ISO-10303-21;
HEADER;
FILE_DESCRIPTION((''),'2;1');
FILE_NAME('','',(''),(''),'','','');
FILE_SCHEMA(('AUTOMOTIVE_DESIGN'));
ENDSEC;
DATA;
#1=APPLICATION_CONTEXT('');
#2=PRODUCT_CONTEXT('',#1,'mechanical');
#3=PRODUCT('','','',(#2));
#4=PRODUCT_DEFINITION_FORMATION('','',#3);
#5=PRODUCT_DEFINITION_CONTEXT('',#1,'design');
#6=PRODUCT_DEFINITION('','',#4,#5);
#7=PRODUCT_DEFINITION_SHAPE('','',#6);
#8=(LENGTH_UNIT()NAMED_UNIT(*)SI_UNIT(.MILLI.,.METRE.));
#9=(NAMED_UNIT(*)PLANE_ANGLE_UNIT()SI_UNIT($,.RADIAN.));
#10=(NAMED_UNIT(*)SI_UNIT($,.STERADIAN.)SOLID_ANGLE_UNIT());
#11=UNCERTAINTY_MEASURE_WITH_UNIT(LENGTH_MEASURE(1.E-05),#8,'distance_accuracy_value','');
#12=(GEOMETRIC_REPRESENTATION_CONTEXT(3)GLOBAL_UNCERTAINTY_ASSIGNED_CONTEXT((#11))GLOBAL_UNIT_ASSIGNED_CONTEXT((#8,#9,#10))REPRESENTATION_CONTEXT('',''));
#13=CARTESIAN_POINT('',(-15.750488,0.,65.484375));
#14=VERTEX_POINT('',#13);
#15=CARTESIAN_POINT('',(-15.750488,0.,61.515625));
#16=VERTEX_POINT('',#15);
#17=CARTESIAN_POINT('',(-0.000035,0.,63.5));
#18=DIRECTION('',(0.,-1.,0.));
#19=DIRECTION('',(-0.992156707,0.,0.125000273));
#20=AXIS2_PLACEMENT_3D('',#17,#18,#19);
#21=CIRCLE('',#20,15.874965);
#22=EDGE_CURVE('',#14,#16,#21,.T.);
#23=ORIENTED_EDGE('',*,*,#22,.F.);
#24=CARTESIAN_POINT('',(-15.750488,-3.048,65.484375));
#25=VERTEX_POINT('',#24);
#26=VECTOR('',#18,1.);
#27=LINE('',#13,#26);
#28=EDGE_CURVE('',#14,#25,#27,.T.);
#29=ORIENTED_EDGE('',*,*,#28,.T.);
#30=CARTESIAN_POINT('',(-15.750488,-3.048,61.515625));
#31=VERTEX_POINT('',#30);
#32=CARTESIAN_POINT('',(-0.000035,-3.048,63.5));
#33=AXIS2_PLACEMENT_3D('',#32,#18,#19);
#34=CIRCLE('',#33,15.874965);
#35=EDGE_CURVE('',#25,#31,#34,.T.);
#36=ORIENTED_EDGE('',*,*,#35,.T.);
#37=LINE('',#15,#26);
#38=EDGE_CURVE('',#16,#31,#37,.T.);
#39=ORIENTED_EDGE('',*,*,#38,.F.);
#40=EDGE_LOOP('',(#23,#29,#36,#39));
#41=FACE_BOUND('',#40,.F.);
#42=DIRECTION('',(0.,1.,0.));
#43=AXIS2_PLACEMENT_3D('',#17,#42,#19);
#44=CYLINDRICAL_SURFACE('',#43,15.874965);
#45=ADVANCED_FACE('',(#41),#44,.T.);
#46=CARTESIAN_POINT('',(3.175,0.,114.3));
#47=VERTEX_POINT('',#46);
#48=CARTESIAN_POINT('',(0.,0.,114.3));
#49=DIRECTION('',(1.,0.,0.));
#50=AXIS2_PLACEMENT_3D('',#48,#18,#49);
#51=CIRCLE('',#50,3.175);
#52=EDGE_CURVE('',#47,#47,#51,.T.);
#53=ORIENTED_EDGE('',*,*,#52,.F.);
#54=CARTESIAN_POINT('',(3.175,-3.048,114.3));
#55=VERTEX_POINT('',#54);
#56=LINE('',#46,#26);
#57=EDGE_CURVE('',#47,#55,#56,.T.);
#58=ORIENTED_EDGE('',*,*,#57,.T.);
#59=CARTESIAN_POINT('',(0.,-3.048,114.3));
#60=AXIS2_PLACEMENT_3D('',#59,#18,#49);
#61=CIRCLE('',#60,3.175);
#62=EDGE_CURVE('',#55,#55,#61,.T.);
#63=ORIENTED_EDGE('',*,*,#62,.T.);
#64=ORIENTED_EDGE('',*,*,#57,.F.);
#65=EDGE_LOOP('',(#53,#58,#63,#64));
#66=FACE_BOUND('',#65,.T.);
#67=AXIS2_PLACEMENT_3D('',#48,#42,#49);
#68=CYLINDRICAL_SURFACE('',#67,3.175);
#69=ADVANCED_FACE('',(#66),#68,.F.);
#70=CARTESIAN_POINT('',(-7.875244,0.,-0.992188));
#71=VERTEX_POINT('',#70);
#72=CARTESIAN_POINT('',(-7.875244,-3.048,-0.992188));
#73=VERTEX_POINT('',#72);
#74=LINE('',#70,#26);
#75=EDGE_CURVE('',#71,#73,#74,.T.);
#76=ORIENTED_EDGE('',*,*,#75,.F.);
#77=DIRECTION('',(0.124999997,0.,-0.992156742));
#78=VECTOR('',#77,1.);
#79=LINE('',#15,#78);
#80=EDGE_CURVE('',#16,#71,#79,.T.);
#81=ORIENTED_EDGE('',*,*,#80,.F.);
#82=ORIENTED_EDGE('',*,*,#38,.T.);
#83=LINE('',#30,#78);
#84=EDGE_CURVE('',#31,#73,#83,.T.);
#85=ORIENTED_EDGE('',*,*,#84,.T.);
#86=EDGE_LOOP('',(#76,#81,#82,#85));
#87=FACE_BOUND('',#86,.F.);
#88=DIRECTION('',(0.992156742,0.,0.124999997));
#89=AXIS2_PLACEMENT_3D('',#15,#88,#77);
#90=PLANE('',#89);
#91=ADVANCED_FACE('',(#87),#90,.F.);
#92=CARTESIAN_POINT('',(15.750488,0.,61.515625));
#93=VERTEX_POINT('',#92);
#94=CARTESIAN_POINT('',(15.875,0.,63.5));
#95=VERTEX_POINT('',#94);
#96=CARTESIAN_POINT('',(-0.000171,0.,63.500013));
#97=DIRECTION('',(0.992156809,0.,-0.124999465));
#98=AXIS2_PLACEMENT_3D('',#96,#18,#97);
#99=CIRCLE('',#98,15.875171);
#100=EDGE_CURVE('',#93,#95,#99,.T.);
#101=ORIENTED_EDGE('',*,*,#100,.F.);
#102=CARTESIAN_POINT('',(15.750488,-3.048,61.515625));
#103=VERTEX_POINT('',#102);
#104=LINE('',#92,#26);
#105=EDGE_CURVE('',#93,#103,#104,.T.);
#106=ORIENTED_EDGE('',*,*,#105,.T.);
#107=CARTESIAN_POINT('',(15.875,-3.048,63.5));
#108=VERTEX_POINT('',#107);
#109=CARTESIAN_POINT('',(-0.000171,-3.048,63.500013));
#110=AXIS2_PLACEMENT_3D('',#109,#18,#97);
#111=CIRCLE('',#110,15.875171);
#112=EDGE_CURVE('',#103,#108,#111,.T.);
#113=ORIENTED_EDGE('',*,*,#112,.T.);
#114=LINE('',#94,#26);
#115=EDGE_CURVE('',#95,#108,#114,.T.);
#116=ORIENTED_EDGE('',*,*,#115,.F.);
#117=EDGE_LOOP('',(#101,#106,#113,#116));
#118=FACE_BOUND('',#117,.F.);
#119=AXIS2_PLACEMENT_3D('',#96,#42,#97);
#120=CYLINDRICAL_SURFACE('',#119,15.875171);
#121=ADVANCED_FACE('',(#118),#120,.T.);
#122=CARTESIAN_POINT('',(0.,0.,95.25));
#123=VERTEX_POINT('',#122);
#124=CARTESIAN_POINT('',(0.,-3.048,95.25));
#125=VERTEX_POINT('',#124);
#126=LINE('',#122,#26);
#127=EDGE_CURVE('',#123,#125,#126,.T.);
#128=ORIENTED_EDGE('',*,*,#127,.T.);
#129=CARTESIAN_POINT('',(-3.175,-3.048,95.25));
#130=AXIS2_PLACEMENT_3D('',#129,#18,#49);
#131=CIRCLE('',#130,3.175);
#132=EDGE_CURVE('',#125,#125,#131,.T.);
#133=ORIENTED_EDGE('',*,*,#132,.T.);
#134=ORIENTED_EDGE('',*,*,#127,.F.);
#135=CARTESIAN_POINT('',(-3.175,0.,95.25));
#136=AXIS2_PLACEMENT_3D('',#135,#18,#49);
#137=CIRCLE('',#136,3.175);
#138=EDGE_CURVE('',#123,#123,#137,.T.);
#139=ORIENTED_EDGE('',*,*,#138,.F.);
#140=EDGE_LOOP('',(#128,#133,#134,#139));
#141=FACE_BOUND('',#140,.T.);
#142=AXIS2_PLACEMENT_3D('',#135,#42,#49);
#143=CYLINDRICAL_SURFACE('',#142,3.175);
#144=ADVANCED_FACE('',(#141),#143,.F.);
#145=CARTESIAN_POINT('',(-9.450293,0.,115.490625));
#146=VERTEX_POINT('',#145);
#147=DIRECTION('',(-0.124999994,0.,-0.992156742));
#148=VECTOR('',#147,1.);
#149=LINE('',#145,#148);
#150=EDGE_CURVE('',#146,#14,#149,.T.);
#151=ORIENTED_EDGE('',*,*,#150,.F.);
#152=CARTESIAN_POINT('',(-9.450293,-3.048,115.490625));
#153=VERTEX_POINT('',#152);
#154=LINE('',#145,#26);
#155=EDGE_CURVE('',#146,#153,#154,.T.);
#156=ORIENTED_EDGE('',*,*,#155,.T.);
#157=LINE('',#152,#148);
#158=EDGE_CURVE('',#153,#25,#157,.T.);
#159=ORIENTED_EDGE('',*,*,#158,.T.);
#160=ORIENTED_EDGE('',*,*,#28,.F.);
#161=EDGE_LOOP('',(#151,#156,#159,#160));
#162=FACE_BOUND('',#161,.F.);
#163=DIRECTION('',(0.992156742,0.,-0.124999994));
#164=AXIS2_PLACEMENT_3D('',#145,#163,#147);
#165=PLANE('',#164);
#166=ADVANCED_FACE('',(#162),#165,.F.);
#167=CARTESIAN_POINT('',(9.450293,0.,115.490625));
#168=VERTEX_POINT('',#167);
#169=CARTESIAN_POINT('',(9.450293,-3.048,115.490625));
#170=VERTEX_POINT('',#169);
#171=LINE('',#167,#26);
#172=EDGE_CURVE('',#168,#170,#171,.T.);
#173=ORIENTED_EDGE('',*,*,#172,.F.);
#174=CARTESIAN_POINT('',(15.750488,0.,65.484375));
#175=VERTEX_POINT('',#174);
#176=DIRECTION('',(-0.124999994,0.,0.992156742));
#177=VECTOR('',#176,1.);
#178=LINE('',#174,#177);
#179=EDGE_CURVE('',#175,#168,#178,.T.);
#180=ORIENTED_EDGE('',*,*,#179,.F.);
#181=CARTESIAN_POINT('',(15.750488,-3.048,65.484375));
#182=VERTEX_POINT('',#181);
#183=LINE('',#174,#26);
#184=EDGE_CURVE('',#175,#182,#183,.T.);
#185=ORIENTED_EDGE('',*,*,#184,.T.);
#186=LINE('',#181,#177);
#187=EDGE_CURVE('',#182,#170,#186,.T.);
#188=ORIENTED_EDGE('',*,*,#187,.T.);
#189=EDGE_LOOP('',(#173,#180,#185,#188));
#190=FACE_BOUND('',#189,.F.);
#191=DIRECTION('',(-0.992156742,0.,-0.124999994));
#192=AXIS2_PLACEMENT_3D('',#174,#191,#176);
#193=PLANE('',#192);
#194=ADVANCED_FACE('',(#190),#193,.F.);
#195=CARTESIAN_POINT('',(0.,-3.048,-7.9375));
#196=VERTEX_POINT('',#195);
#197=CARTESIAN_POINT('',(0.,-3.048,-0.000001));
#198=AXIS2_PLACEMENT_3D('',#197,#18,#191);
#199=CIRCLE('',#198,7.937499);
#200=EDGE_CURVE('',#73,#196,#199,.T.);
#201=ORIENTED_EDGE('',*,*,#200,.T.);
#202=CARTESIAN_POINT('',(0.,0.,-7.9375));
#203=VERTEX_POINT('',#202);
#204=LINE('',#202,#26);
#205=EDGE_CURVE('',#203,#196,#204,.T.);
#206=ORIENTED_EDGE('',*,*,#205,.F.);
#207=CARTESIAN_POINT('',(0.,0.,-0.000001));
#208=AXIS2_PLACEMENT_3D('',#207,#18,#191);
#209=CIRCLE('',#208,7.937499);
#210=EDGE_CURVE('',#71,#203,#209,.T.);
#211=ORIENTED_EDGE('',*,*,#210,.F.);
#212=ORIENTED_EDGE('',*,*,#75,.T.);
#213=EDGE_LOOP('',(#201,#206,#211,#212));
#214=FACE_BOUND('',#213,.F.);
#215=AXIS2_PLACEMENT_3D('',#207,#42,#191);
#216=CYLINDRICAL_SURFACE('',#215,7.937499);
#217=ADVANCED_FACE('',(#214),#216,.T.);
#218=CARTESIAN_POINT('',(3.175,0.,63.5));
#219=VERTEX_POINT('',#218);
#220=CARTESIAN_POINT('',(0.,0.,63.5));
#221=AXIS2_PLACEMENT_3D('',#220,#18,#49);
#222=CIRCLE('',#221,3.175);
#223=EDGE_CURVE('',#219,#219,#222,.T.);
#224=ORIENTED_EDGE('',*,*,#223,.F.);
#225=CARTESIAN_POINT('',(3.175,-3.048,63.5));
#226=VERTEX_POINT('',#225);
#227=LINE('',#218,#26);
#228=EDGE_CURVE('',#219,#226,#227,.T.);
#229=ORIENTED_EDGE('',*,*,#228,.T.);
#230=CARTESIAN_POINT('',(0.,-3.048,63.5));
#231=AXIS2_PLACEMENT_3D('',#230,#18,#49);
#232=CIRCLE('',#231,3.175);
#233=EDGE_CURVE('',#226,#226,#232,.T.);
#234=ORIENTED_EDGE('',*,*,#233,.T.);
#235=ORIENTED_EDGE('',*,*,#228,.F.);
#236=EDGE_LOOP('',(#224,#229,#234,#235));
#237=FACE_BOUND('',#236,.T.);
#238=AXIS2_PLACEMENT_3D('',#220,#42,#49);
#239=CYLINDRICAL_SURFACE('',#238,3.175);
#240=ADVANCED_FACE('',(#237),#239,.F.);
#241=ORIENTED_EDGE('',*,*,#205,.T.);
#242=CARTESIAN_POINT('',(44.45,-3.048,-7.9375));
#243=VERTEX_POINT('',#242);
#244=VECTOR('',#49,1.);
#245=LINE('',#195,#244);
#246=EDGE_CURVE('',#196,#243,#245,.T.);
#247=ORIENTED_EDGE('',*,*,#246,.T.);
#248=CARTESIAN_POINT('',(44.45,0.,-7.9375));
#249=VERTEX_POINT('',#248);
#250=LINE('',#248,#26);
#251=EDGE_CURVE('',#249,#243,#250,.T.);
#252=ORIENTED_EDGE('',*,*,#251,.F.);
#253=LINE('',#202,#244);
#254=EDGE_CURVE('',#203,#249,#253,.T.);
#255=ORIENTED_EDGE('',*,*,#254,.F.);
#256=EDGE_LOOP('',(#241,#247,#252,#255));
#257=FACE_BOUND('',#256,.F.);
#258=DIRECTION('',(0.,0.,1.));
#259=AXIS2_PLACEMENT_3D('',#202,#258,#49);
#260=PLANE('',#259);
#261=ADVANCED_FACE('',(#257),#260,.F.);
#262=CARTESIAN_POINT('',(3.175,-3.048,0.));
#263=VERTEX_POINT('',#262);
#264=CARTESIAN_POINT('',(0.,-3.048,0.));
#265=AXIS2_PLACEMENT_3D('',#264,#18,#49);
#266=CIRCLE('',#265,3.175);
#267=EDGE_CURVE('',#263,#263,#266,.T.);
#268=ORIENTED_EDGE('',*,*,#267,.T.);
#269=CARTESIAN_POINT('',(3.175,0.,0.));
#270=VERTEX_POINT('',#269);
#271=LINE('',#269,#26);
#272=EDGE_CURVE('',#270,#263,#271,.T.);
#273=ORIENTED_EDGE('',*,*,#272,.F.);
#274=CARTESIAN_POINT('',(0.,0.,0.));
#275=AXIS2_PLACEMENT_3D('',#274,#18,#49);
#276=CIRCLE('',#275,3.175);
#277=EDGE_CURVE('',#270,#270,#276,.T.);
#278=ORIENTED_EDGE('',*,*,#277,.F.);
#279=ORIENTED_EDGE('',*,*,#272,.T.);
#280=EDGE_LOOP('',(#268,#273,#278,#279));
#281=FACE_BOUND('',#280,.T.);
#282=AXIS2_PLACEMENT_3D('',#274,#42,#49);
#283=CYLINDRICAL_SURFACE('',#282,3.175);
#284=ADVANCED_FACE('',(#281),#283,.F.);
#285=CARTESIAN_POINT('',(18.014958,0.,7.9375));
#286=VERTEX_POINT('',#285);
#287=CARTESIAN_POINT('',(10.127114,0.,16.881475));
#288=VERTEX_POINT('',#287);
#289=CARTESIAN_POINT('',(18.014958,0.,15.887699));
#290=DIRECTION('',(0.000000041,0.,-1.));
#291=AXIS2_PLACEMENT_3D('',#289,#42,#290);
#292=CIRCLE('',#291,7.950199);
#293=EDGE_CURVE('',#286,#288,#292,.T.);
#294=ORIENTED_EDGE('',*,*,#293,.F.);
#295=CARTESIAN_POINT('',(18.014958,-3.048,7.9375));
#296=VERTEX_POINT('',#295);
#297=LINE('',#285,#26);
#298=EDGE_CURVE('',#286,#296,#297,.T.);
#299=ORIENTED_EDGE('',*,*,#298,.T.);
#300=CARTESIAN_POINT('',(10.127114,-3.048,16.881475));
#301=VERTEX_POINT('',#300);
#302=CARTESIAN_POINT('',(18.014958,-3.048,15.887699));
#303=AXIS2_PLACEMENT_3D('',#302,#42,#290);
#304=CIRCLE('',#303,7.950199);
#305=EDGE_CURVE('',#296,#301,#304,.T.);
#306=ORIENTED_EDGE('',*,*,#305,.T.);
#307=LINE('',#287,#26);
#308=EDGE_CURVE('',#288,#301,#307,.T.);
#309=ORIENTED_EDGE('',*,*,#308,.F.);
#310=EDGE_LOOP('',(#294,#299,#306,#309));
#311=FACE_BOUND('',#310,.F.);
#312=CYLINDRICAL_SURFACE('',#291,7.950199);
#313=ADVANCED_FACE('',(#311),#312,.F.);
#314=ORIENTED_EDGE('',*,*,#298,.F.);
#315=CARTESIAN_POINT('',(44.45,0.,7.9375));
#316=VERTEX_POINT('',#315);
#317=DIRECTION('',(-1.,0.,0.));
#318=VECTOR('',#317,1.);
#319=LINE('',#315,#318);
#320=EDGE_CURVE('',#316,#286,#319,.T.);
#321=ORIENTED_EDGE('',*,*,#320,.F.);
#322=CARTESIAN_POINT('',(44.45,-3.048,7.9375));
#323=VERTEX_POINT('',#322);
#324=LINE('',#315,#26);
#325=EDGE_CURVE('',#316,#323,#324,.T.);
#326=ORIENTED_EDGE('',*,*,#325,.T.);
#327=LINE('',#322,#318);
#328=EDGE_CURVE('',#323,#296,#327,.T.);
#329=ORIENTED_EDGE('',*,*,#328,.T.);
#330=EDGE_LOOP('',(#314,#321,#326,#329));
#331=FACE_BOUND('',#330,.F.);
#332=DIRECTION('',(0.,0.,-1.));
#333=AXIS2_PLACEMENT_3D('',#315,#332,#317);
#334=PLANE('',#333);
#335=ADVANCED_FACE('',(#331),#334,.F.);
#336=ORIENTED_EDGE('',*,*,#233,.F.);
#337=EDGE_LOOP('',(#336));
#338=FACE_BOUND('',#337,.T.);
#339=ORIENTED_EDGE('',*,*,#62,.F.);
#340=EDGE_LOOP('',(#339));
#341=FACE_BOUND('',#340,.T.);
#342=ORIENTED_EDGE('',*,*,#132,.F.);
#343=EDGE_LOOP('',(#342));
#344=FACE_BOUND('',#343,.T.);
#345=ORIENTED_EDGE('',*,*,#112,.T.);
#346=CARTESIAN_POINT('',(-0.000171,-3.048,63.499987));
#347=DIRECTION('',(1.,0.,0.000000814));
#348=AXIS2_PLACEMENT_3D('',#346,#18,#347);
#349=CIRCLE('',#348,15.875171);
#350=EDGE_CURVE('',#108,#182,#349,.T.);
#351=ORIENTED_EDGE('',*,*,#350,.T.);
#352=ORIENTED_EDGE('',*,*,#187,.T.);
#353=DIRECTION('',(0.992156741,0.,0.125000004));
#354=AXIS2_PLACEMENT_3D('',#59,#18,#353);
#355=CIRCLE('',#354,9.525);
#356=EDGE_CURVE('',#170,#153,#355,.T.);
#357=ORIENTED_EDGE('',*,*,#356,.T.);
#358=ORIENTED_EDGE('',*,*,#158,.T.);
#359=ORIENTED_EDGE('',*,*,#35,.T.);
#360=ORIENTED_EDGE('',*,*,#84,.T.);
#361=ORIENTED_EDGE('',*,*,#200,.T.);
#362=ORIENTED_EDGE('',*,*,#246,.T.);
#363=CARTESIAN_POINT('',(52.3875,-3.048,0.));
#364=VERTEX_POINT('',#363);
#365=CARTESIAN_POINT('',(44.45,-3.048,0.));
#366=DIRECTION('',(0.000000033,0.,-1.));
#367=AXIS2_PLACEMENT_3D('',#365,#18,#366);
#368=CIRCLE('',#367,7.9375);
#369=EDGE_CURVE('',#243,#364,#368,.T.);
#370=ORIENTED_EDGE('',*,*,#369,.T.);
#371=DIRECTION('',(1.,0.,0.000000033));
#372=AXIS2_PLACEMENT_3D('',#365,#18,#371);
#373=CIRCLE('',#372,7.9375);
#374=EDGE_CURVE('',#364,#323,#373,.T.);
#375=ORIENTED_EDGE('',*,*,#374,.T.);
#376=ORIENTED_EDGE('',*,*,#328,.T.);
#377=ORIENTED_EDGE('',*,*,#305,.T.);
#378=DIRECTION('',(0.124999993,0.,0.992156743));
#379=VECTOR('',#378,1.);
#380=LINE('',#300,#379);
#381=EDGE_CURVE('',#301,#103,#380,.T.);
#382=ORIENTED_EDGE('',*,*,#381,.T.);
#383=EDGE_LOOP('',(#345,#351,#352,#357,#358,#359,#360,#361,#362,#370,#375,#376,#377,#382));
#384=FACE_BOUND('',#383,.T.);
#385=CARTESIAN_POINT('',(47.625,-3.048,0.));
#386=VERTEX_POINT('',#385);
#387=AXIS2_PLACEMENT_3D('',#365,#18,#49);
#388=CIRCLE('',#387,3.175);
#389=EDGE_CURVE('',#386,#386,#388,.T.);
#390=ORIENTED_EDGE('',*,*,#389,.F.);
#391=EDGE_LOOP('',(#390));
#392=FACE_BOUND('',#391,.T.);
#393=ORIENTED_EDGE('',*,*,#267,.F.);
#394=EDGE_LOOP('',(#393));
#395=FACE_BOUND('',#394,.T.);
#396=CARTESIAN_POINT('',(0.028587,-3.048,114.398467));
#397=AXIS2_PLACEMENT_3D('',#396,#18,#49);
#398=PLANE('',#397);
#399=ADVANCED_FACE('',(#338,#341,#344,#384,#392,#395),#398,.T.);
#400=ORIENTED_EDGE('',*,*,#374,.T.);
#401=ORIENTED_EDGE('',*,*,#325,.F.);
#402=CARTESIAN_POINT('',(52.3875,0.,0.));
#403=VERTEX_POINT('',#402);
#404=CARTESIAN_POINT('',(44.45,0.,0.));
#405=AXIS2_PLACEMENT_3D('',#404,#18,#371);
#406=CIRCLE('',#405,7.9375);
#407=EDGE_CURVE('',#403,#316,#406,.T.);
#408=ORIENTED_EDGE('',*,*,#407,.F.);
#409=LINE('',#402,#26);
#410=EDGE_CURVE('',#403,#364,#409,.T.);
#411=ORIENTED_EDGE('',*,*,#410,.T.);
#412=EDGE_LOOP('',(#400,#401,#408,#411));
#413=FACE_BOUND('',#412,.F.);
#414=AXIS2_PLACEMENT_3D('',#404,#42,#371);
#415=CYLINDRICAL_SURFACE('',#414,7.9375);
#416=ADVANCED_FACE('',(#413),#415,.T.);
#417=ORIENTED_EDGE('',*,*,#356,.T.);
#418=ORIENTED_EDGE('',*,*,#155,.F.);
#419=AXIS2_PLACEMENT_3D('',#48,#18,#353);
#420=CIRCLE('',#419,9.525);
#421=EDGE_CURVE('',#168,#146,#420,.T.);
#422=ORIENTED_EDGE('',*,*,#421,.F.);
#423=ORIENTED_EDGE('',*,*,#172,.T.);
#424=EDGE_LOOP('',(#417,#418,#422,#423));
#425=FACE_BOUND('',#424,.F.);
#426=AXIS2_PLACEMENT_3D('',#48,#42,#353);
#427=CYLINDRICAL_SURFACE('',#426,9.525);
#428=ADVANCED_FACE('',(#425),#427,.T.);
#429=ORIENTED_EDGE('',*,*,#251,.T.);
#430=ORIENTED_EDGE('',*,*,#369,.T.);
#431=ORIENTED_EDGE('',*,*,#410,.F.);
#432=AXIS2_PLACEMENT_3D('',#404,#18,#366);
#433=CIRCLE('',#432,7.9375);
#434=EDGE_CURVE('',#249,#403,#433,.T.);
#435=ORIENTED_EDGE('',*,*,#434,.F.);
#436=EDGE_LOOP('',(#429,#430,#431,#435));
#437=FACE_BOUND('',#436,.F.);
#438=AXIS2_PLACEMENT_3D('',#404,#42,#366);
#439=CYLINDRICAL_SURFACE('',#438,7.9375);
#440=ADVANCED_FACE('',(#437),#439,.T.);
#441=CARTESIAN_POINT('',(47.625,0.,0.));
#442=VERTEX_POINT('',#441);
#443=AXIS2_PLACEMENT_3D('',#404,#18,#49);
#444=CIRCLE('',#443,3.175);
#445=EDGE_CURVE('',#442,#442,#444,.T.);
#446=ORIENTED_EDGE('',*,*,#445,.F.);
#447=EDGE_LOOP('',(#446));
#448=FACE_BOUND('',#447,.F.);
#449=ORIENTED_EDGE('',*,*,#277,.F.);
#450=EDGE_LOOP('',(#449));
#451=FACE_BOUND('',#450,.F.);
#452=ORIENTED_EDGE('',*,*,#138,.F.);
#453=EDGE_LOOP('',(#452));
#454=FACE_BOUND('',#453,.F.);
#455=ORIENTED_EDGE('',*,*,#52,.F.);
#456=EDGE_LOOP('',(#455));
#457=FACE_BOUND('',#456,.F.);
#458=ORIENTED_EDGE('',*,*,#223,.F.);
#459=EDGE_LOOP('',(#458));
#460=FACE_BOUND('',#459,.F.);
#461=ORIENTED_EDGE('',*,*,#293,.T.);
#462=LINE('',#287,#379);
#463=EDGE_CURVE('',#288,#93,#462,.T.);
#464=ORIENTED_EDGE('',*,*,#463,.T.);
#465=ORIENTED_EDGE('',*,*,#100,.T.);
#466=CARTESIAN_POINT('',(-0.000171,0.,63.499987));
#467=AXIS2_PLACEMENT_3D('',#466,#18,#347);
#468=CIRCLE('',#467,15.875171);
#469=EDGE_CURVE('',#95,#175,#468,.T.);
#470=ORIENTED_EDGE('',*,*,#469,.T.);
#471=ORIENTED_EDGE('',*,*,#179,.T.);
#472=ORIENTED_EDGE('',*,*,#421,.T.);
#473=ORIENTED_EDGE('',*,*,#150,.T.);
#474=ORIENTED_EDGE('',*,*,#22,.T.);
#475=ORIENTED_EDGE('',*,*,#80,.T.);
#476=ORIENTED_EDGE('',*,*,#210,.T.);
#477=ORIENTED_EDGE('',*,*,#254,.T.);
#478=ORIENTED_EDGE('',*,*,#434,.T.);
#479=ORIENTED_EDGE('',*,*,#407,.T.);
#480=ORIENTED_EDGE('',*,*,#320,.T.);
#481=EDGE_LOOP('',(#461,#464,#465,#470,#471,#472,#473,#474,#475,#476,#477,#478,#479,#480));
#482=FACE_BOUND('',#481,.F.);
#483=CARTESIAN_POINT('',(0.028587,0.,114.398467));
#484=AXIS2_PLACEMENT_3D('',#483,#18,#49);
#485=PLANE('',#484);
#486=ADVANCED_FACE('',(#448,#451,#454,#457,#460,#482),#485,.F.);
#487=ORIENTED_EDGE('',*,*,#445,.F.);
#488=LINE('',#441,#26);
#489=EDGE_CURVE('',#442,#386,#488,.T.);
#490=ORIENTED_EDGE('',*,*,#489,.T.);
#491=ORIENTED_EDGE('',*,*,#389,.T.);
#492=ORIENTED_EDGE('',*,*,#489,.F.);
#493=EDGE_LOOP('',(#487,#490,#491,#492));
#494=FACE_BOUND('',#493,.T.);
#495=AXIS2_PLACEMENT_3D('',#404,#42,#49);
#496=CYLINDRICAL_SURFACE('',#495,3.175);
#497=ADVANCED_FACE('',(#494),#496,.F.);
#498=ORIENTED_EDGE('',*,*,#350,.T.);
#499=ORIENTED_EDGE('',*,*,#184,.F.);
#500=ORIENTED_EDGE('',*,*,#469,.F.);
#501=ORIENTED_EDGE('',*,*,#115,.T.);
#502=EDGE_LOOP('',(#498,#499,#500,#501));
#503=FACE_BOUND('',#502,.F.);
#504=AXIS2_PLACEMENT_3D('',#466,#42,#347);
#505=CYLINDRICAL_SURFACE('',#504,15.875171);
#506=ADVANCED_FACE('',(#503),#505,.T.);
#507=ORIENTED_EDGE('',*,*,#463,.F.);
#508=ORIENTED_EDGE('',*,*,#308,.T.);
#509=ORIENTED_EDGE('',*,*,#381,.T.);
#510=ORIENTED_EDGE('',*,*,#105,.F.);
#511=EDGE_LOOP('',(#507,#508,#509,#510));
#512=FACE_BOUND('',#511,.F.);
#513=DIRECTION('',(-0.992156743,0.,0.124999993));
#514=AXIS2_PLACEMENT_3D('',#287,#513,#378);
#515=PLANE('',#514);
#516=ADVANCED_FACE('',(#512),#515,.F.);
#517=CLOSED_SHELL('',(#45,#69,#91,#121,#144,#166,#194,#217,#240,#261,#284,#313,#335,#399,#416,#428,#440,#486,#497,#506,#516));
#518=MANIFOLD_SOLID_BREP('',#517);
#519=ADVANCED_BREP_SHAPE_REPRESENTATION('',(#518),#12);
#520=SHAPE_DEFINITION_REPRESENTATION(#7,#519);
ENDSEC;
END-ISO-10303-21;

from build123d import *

# Parameters (mm, degrees)
F0_R     = 3.175
F1_DEPTH = 3.048


with BuildPart() as f1:
    # F0 (on Front) → F1 (new body)
    with BuildSketch(Plane.XZ):
        with BuildLine():
            ThreePointArc((9.450293, 115.490625), (0, 123.825), (-9.450293, 115.490625))
            ThreePointArc((-9.450293, 115.490625), (-0.596483, 104.793695), (9.525, 114.3))
            ThreePointArc((9.525, 114.3), (9.506305, 114.896483), (9.450293, 115.490625))
        make_face()
        with Locations((0, 114.3)):
            Circle(F0_R, mode=Mode.SUBTRACT)
        with BuildLine():
            Line((-9.450293, 115.490625), (-15.750488, 65.484375))
            ThreePointArc((-15.750488, 65.484375), (0, 79.375), (15.750488, 65.484375))
            Line((15.750488, 65.484375), (9.450293, 115.490625))
            ThreePointArc((9.450293, 115.490625), (9.506305, 114.896483), (9.525, 114.3))
            ThreePointArc((9.525, 114.3), (-0.596483, 104.793695), (-9.450293, 115.490625))
        make_face()
        with Locations((-3.175, 95.25)):
            Circle(F0_R, mode=Mode.SUBTRACT)
        with BuildLine():
            ThreePointArc((-15.750488, 65.484375), (-15.875, 63.5), (-15.750488, 61.515625))
            ThreePointArc((-15.750488, 61.515625), (0, 47.625), (15.750488, 61.515625))
            ThreePointArc((15.750488, 61.515625), (15.843841, 62.505861), (15.875, 63.5))
            ThreePointArc((15.875, 63.5), (15.843841, 64.494139), (15.750488, 65.484375))
            ThreePointArc((15.750488, 65.484375), (0, 79.375), (-15.750488, 65.484375))
        make_face()
        with Locations((0, 63.5)):
            Circle(F0_R, mode=Mode.SUBTRACT)
        with BuildLine():
            ThreePointArc((-7.875244, -0.992188), (-0.497069, 7.921921), (7.9375, 0))
            ThreePointArc((7.9375, 0), (5.61266, -5.61266), (0, -7.9375))
            Line((0, -7.9375), (44.45, -7.9375))
            ThreePointArc((44.45, -7.9375), (36.5125, 0), (44.45, 7.9375))
            Line((44.45, 7.9375), (18.014958, 7.9375))
            ThreePointArc((18.014958, 7.9375), (12.052308, 10.629137), (10.127114, 16.881475))
            Line((10.127114, 16.881475), (15.750488, 61.515625))
            ThreePointArc((15.750488, 61.515625), (0, 47.625), (-15.750488, 61.515625))
            Line((-15.750488, 61.515625), (-7.875244, -0.992188))
        make_face()
        with BuildLine():
            ThreePointArc((0, -7.9375), (5.61266, -5.61266), (7.9375, 0))
            ThreePointArc((7.9375, 0), (-0.497069, 7.921921), (-7.875244, -0.992188))
            ThreePointArc((-7.875244, -0.992188), (-5.250163, -5.953125), (0, -7.9375))
        make_face()
        Circle(F0_R, mode=Mode.SUBTRACT)
        with BuildLine():
            ThreePointArc((44.45, 7.9375), (36.5125, 0), (44.45, -7.9375))
            ThreePointArc((44.45, -7.9375), (50.06266, -5.61266), (52.3875, 0))
            ThreePointArc((52.3875, 0), (50.06266, 5.61266), (44.45, 7.9375))
        make_face()
        with Locations((44.45, 0)):
            Circle(F0_R, mode=Mode.SUBTRACT)
    extrude(amount=F1_DEPTH)


solid = f1.part
